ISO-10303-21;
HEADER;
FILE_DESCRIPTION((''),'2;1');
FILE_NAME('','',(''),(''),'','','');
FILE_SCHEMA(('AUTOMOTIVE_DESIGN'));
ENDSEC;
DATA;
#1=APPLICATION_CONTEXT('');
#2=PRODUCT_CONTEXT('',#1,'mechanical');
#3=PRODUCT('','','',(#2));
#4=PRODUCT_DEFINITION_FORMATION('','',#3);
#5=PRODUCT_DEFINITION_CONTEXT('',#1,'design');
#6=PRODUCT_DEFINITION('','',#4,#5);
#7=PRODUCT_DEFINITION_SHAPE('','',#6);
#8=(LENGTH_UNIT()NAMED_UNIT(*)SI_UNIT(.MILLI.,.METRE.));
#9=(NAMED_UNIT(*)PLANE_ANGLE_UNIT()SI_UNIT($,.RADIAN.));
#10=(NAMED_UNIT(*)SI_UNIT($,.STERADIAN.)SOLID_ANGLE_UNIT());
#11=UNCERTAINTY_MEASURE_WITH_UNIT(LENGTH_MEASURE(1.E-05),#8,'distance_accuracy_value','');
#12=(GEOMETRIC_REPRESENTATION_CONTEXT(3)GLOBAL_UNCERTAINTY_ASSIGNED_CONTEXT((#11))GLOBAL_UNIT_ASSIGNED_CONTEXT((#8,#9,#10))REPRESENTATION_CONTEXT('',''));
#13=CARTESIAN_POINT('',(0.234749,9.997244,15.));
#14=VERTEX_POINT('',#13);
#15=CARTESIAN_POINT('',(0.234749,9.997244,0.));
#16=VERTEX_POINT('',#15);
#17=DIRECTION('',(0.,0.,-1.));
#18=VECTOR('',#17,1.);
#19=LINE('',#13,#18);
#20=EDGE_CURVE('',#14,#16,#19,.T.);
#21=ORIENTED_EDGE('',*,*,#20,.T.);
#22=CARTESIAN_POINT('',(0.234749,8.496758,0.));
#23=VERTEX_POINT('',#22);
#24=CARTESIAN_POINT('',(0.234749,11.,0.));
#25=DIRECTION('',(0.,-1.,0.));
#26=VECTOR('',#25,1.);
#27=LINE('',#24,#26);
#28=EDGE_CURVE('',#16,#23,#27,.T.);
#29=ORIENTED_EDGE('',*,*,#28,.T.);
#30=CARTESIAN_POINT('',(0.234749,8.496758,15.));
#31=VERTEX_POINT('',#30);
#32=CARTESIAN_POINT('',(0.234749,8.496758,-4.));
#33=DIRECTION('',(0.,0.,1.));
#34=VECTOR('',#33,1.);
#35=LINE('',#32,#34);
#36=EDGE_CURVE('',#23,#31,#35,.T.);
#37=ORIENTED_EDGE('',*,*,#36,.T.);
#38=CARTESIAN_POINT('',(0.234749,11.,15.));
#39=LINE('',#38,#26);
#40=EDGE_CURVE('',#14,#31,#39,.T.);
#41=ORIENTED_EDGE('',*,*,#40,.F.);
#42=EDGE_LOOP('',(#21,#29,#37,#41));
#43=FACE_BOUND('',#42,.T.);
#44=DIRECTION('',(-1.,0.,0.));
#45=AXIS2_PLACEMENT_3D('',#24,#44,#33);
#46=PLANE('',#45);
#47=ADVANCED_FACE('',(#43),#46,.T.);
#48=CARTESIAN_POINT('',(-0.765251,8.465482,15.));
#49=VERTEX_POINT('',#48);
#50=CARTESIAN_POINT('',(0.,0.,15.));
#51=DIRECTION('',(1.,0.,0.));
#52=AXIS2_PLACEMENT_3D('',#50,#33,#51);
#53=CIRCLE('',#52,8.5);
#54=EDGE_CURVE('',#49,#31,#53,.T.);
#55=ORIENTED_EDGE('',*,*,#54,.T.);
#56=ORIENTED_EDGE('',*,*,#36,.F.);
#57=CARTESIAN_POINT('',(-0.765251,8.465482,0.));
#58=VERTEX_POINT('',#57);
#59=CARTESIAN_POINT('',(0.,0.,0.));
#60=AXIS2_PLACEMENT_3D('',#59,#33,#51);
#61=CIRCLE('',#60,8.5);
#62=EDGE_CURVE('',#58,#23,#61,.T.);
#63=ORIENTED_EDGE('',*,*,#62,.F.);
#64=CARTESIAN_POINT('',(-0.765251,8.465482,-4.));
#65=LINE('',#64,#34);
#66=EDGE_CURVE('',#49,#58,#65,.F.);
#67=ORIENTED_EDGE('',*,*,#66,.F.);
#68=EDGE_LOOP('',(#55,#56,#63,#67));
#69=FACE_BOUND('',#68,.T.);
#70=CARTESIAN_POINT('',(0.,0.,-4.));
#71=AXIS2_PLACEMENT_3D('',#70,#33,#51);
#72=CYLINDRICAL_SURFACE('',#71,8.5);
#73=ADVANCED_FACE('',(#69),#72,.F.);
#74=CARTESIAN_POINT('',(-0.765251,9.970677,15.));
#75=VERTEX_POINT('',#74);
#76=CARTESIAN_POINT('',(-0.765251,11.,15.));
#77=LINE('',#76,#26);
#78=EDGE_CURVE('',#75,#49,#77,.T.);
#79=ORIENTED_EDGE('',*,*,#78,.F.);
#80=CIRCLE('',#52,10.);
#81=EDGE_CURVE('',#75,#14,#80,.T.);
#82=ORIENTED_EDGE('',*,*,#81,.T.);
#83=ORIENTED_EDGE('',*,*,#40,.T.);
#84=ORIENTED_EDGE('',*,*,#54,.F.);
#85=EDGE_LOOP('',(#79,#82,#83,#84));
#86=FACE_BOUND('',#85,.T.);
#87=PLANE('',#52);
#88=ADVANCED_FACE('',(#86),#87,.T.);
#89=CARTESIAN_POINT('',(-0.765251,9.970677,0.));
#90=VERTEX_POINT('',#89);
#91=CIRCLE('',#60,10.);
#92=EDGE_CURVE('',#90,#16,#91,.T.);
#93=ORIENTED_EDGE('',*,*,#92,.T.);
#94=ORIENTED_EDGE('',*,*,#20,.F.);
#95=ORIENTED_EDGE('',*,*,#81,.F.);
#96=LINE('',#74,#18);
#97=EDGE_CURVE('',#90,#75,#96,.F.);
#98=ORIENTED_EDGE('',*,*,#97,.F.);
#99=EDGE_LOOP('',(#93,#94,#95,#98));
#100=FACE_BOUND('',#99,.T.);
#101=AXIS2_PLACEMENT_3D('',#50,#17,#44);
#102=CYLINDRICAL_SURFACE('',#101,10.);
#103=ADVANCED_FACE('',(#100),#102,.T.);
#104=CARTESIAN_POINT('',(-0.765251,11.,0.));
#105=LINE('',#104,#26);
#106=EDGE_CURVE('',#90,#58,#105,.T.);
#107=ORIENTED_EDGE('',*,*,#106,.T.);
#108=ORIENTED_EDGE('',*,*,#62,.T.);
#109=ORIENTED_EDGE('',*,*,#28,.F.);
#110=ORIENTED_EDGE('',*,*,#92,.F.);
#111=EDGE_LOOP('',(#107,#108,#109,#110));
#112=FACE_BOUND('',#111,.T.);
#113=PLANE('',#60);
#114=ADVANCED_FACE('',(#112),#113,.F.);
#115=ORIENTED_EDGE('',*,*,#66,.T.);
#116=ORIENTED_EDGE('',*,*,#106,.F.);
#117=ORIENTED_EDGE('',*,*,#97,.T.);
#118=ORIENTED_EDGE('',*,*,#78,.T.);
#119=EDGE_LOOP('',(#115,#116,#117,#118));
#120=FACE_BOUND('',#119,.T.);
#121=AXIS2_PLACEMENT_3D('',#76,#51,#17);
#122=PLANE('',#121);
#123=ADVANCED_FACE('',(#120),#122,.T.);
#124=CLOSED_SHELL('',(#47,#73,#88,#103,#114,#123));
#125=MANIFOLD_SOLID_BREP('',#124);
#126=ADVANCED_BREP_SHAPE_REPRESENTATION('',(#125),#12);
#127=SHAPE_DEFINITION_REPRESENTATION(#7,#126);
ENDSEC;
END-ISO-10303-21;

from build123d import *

# Parameters (mm, degrees)
SKETCH1_R           = 10
BOSS_EXTRUDE1_DEPTH = 15
SKETCH3_R           = 8.5
CUT_EXTRUDE1_DEPTH  = 19
SKETCH4_W           = 1
SKETCH4_H           = 15
CUT_EXTRUDE3_DEPTH  = 3


with BuildPart() as part:
    # Sketch1 → Boss-Extrude1 (new body)
    with BuildSketch(Plane.XY):
        Circle(SKETCH1_R)
    extrude(amount=BOSS_EXTRUDE1_DEPTH)

    # Sketch3 → Cut-Extrude1 (cut)
    with BuildSketch(Plane.XY.offset(15)):
        Circle(SKETCH3_R)
    extrude(amount=-CUT_EXTRUDE1_DEPTH, mode=Mode.SUBTRACT)

    # Sketch4 → Cut-Extrude3 (cut)
    with BuildSketch(Plane(origin=(0, 8, 0), x_dir=(1, 0, 0), z_dir=(0, 1, 0))):
        with Locations((-0.265251336, -7.5)):
            Rectangle(SKETCH4_W, SKETCH4_H)
    extrude(amount=CUT_EXTRUDE3_DEPTH, mode=Mode.SUBTRACT)


solid = part.part
